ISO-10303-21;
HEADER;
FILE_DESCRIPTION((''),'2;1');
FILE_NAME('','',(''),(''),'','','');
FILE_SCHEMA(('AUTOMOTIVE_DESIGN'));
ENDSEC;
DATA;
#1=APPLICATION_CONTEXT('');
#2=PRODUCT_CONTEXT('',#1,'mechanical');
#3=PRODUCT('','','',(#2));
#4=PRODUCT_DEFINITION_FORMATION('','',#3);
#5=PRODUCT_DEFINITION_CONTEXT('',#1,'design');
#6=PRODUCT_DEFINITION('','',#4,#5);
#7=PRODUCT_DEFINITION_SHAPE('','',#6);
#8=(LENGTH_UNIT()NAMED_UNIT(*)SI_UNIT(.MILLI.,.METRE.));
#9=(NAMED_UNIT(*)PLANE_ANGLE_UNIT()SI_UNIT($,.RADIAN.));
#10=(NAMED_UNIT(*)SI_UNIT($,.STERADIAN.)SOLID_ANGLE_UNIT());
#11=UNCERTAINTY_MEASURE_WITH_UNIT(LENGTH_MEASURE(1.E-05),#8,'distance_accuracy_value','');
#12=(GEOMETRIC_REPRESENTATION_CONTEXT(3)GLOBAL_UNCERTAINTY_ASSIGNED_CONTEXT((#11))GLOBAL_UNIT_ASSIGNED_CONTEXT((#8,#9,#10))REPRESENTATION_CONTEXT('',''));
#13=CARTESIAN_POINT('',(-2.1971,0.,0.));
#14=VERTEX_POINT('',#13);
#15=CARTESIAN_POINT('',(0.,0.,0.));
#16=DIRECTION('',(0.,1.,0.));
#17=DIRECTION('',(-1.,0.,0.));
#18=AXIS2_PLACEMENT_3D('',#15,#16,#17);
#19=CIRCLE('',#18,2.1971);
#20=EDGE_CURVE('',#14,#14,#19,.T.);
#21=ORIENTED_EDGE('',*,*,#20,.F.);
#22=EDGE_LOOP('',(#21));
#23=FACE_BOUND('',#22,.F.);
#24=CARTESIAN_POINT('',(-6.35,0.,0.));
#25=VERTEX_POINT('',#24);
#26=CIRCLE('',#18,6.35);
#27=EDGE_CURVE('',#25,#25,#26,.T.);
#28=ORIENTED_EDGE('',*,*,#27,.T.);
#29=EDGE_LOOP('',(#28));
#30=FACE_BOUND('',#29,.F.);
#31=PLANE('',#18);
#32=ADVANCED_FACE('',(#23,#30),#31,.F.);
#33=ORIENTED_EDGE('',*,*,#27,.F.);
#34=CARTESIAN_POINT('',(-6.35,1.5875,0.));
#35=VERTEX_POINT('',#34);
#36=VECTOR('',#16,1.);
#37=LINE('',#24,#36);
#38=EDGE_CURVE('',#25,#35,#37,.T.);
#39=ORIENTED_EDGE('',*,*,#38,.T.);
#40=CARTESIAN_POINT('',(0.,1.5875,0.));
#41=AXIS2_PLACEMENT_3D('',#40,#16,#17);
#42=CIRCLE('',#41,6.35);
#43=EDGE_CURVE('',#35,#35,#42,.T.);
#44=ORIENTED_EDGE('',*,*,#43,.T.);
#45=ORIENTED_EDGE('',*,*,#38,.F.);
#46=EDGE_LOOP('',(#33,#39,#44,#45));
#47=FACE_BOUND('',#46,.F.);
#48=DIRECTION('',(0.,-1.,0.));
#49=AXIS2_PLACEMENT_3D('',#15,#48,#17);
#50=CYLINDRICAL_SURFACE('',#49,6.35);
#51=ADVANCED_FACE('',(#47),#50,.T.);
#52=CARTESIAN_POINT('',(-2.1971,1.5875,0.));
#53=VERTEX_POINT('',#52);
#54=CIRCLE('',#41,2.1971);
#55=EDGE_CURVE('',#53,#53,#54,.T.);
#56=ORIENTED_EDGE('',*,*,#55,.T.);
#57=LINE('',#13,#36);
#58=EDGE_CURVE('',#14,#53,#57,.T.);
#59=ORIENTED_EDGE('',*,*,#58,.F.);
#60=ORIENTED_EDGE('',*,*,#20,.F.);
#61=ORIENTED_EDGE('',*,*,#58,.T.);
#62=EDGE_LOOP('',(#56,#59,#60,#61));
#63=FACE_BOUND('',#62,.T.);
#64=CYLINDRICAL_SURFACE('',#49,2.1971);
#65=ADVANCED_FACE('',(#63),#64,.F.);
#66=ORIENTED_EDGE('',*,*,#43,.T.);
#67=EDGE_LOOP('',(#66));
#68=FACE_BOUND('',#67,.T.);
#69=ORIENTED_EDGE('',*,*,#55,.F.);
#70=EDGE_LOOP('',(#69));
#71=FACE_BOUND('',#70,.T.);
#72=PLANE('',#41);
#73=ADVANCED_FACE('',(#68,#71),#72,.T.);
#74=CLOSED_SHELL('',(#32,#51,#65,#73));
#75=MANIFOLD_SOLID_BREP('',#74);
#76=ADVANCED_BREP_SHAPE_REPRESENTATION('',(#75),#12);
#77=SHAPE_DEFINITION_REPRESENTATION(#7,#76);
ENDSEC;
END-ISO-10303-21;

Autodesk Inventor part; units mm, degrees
ref_plane "YZ Plane" through (0, 0, 0) normal (1, 0, 0) x (0, 1, 0)
ref_plane "XZ Plane" through (0, 0, 0) normal (0, 1, 0) x (-1, 0, 0)
ref_plane "XY Plane" through (0, 0, 0) normal (0, 0, 1) x (1, 0, 0)
sketch "Sketch1" plane through (0, 0, 0) normal (0, 1, 0) x (-1, 0, 0)
  circle A0 centre (0, 0) radius 2.1971
  circle A1 centre (0, 0) radius 6.35
  dimension "d0" = 4.3942
  dimension "d1" = 12.7
extrude "Extrusion1" add sketch "Sketch1" along normal blind 1.5875
properties part number "SWasher .500 OD x .062500" material "Acetal Resin, White"
